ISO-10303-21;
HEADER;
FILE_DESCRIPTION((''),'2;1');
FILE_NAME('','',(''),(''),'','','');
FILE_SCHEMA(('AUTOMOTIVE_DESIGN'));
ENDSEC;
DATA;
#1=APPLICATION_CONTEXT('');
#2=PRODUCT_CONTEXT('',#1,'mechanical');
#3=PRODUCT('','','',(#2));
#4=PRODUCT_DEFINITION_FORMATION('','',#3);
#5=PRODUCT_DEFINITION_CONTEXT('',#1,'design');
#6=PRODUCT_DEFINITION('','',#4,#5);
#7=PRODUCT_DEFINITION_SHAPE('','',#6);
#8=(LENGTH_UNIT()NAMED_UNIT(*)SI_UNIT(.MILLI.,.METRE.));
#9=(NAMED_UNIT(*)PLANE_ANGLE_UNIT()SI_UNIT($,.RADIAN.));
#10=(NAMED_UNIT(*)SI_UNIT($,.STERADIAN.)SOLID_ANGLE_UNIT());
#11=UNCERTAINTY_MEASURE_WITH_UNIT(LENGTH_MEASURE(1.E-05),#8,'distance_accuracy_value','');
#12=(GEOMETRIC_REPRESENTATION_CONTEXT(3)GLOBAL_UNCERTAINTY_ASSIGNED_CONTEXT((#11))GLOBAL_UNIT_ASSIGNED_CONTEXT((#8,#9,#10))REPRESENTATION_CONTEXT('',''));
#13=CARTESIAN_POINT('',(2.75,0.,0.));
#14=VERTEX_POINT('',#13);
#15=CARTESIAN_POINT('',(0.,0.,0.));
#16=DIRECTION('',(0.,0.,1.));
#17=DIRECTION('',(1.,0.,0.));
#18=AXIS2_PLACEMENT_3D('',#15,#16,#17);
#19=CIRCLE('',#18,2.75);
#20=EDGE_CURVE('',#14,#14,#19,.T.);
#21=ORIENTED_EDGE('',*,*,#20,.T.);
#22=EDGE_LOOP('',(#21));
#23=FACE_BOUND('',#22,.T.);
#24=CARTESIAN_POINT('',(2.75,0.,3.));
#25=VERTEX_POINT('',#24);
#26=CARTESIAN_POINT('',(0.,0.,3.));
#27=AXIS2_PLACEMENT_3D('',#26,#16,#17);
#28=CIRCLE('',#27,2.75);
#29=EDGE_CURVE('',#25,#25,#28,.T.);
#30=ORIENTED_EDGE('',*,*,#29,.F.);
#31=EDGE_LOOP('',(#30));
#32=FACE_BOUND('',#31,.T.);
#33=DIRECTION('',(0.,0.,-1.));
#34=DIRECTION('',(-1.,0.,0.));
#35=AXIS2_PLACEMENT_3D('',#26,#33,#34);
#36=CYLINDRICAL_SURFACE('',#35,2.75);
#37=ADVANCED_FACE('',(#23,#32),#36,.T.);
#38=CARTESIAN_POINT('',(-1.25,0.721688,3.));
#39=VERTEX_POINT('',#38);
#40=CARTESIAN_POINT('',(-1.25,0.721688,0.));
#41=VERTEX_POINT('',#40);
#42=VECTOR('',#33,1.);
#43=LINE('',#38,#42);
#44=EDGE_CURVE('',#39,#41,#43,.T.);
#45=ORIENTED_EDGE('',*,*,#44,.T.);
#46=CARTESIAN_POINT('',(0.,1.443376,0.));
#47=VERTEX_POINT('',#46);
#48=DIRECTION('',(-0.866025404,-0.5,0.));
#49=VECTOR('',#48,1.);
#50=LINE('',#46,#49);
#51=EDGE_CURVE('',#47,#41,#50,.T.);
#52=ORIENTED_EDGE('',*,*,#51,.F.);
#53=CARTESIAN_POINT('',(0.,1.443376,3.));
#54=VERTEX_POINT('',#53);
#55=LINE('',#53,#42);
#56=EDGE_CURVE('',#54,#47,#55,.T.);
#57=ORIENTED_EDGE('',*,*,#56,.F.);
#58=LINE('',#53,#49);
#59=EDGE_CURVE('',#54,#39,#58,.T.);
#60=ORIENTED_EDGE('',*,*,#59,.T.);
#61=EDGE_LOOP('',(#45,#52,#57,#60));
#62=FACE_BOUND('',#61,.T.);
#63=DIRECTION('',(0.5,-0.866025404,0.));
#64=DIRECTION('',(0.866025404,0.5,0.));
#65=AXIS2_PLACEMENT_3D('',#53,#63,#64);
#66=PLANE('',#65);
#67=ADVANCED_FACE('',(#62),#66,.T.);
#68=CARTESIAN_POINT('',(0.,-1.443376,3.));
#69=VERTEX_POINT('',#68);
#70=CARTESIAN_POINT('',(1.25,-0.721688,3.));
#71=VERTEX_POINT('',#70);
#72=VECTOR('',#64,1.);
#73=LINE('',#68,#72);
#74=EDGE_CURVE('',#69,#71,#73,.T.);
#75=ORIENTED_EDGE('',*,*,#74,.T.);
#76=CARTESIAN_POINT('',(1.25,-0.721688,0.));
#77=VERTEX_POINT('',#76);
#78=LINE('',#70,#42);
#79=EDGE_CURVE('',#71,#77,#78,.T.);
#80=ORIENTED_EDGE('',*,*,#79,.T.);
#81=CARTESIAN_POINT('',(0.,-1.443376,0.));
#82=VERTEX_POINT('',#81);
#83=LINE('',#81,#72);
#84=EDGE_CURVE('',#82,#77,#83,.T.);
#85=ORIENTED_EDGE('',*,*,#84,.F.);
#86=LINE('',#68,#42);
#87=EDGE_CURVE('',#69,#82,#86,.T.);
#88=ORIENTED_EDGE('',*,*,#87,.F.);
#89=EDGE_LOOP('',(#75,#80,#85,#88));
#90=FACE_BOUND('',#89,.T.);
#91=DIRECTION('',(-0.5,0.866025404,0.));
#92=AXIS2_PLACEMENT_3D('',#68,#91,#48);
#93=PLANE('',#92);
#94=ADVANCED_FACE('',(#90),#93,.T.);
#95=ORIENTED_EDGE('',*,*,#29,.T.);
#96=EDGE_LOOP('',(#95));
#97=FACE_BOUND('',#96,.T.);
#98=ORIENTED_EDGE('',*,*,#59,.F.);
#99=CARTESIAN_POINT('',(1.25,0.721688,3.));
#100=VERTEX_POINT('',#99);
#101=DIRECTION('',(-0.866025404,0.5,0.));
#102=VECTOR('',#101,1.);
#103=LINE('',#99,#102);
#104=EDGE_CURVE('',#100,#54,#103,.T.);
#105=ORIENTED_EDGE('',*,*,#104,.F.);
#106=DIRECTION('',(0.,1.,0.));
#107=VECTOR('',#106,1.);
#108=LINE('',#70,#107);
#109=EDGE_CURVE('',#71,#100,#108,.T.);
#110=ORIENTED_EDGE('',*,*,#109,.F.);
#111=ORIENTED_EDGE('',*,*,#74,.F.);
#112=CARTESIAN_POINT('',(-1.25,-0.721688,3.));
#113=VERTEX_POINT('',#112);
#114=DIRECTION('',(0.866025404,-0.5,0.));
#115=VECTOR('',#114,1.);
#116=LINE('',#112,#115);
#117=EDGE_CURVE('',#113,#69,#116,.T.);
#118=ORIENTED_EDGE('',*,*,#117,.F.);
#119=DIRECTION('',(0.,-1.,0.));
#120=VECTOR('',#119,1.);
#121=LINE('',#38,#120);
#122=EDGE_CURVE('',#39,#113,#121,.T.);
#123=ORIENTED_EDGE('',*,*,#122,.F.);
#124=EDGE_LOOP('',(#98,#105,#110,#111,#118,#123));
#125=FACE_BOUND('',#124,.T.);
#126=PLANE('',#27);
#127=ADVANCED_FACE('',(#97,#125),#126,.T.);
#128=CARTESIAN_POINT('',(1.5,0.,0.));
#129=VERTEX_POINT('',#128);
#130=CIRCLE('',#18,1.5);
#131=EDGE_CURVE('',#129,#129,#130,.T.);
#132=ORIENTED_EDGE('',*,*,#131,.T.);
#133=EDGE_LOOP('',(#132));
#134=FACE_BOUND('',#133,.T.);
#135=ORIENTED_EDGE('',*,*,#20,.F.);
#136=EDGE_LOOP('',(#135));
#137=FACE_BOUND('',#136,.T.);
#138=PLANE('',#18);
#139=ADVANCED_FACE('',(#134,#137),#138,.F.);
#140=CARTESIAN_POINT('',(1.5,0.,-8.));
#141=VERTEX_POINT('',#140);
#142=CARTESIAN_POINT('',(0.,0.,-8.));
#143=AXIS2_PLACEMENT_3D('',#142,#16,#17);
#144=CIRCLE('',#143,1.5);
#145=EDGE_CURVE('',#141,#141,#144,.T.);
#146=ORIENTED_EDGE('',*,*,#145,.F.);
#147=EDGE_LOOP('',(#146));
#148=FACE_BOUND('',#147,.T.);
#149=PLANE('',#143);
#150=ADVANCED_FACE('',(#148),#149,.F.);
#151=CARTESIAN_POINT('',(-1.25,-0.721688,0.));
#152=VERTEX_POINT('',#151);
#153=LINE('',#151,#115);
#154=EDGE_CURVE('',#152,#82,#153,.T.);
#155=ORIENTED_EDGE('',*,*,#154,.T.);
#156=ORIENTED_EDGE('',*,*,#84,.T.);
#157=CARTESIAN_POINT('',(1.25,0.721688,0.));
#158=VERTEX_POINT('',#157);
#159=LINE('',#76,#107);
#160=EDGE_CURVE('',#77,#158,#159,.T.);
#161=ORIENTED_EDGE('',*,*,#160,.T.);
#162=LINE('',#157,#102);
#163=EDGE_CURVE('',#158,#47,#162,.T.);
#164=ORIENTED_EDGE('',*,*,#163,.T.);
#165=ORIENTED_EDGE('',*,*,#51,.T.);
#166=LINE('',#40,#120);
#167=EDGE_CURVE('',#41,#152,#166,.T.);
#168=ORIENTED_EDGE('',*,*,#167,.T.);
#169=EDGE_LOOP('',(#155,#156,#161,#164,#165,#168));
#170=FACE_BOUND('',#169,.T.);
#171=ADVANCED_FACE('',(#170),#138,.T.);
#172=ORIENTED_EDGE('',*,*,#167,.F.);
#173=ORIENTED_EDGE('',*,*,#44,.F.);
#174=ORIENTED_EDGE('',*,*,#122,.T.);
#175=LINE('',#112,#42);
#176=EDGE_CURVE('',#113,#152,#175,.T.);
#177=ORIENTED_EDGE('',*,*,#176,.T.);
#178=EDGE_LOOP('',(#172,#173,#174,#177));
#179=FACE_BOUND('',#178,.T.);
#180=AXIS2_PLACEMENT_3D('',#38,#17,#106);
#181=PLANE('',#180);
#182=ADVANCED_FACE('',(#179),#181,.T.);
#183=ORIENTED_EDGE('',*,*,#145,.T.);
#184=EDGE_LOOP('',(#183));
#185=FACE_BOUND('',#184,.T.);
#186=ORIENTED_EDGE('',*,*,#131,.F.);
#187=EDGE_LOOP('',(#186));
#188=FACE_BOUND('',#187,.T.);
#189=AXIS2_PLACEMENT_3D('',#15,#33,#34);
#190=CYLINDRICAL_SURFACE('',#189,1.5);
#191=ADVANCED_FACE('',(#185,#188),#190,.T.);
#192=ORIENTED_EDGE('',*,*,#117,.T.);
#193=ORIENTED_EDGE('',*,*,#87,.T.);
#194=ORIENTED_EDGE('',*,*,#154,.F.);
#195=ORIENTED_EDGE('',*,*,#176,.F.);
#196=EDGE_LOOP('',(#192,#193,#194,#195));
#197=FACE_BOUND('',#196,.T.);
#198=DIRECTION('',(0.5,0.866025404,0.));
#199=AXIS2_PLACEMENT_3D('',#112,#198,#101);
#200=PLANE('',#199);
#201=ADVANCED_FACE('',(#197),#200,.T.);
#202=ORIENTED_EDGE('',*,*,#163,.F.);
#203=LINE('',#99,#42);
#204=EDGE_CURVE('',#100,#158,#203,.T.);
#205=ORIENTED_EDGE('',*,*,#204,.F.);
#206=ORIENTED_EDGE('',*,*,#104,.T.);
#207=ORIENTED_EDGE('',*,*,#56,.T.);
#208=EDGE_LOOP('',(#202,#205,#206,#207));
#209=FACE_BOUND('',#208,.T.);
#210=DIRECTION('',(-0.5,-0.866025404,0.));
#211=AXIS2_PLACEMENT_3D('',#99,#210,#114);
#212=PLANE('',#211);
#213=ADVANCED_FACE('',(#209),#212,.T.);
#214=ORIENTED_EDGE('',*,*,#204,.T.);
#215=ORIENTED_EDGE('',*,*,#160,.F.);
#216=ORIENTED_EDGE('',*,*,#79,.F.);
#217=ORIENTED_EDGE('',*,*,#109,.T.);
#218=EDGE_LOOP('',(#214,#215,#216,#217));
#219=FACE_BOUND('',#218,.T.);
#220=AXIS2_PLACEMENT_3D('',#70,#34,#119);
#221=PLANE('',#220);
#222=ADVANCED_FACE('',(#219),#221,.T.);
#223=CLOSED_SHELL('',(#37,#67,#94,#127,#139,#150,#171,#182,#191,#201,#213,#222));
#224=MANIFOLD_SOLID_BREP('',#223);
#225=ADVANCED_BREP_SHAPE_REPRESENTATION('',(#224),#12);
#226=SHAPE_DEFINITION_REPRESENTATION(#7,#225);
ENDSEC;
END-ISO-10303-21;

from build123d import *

# Parameters (mm, degrees)
THREAD_ENVELOPE_START = -8
PROFILE_1_R           = 1.5
THREAD_ENVELOPE_DEPTH = 8
PROFILE_2_R           = 2.75
SOCKET_HEAD_DEPTH     = 3


with BuildPart() as part:
    # Profile_1 → Thread_envelope (new body)
    with BuildSketch(Plane.XY.offset(THREAD_ENVELOPE_START)):
        Circle(PROFILE_1_R)
    extrude(amount=THREAD_ENVELOPE_DEPTH)

    # Profile_2 → Socket_head (add)
    with BuildSketch(Plane.XY):
        Circle(PROFILE_2_R)
        Polygon((1.25, 0.721687836), (0, 1.443375673), (-1.25, 0.721687836), (-1.25, -0.721687836), (0, -1.443375673), (1.25, -0.721687836), align=None, mode=Mode.SUBTRACT)
    extrude(amount=SOCKET_HEAD_DEPTH)


solid = part.part
